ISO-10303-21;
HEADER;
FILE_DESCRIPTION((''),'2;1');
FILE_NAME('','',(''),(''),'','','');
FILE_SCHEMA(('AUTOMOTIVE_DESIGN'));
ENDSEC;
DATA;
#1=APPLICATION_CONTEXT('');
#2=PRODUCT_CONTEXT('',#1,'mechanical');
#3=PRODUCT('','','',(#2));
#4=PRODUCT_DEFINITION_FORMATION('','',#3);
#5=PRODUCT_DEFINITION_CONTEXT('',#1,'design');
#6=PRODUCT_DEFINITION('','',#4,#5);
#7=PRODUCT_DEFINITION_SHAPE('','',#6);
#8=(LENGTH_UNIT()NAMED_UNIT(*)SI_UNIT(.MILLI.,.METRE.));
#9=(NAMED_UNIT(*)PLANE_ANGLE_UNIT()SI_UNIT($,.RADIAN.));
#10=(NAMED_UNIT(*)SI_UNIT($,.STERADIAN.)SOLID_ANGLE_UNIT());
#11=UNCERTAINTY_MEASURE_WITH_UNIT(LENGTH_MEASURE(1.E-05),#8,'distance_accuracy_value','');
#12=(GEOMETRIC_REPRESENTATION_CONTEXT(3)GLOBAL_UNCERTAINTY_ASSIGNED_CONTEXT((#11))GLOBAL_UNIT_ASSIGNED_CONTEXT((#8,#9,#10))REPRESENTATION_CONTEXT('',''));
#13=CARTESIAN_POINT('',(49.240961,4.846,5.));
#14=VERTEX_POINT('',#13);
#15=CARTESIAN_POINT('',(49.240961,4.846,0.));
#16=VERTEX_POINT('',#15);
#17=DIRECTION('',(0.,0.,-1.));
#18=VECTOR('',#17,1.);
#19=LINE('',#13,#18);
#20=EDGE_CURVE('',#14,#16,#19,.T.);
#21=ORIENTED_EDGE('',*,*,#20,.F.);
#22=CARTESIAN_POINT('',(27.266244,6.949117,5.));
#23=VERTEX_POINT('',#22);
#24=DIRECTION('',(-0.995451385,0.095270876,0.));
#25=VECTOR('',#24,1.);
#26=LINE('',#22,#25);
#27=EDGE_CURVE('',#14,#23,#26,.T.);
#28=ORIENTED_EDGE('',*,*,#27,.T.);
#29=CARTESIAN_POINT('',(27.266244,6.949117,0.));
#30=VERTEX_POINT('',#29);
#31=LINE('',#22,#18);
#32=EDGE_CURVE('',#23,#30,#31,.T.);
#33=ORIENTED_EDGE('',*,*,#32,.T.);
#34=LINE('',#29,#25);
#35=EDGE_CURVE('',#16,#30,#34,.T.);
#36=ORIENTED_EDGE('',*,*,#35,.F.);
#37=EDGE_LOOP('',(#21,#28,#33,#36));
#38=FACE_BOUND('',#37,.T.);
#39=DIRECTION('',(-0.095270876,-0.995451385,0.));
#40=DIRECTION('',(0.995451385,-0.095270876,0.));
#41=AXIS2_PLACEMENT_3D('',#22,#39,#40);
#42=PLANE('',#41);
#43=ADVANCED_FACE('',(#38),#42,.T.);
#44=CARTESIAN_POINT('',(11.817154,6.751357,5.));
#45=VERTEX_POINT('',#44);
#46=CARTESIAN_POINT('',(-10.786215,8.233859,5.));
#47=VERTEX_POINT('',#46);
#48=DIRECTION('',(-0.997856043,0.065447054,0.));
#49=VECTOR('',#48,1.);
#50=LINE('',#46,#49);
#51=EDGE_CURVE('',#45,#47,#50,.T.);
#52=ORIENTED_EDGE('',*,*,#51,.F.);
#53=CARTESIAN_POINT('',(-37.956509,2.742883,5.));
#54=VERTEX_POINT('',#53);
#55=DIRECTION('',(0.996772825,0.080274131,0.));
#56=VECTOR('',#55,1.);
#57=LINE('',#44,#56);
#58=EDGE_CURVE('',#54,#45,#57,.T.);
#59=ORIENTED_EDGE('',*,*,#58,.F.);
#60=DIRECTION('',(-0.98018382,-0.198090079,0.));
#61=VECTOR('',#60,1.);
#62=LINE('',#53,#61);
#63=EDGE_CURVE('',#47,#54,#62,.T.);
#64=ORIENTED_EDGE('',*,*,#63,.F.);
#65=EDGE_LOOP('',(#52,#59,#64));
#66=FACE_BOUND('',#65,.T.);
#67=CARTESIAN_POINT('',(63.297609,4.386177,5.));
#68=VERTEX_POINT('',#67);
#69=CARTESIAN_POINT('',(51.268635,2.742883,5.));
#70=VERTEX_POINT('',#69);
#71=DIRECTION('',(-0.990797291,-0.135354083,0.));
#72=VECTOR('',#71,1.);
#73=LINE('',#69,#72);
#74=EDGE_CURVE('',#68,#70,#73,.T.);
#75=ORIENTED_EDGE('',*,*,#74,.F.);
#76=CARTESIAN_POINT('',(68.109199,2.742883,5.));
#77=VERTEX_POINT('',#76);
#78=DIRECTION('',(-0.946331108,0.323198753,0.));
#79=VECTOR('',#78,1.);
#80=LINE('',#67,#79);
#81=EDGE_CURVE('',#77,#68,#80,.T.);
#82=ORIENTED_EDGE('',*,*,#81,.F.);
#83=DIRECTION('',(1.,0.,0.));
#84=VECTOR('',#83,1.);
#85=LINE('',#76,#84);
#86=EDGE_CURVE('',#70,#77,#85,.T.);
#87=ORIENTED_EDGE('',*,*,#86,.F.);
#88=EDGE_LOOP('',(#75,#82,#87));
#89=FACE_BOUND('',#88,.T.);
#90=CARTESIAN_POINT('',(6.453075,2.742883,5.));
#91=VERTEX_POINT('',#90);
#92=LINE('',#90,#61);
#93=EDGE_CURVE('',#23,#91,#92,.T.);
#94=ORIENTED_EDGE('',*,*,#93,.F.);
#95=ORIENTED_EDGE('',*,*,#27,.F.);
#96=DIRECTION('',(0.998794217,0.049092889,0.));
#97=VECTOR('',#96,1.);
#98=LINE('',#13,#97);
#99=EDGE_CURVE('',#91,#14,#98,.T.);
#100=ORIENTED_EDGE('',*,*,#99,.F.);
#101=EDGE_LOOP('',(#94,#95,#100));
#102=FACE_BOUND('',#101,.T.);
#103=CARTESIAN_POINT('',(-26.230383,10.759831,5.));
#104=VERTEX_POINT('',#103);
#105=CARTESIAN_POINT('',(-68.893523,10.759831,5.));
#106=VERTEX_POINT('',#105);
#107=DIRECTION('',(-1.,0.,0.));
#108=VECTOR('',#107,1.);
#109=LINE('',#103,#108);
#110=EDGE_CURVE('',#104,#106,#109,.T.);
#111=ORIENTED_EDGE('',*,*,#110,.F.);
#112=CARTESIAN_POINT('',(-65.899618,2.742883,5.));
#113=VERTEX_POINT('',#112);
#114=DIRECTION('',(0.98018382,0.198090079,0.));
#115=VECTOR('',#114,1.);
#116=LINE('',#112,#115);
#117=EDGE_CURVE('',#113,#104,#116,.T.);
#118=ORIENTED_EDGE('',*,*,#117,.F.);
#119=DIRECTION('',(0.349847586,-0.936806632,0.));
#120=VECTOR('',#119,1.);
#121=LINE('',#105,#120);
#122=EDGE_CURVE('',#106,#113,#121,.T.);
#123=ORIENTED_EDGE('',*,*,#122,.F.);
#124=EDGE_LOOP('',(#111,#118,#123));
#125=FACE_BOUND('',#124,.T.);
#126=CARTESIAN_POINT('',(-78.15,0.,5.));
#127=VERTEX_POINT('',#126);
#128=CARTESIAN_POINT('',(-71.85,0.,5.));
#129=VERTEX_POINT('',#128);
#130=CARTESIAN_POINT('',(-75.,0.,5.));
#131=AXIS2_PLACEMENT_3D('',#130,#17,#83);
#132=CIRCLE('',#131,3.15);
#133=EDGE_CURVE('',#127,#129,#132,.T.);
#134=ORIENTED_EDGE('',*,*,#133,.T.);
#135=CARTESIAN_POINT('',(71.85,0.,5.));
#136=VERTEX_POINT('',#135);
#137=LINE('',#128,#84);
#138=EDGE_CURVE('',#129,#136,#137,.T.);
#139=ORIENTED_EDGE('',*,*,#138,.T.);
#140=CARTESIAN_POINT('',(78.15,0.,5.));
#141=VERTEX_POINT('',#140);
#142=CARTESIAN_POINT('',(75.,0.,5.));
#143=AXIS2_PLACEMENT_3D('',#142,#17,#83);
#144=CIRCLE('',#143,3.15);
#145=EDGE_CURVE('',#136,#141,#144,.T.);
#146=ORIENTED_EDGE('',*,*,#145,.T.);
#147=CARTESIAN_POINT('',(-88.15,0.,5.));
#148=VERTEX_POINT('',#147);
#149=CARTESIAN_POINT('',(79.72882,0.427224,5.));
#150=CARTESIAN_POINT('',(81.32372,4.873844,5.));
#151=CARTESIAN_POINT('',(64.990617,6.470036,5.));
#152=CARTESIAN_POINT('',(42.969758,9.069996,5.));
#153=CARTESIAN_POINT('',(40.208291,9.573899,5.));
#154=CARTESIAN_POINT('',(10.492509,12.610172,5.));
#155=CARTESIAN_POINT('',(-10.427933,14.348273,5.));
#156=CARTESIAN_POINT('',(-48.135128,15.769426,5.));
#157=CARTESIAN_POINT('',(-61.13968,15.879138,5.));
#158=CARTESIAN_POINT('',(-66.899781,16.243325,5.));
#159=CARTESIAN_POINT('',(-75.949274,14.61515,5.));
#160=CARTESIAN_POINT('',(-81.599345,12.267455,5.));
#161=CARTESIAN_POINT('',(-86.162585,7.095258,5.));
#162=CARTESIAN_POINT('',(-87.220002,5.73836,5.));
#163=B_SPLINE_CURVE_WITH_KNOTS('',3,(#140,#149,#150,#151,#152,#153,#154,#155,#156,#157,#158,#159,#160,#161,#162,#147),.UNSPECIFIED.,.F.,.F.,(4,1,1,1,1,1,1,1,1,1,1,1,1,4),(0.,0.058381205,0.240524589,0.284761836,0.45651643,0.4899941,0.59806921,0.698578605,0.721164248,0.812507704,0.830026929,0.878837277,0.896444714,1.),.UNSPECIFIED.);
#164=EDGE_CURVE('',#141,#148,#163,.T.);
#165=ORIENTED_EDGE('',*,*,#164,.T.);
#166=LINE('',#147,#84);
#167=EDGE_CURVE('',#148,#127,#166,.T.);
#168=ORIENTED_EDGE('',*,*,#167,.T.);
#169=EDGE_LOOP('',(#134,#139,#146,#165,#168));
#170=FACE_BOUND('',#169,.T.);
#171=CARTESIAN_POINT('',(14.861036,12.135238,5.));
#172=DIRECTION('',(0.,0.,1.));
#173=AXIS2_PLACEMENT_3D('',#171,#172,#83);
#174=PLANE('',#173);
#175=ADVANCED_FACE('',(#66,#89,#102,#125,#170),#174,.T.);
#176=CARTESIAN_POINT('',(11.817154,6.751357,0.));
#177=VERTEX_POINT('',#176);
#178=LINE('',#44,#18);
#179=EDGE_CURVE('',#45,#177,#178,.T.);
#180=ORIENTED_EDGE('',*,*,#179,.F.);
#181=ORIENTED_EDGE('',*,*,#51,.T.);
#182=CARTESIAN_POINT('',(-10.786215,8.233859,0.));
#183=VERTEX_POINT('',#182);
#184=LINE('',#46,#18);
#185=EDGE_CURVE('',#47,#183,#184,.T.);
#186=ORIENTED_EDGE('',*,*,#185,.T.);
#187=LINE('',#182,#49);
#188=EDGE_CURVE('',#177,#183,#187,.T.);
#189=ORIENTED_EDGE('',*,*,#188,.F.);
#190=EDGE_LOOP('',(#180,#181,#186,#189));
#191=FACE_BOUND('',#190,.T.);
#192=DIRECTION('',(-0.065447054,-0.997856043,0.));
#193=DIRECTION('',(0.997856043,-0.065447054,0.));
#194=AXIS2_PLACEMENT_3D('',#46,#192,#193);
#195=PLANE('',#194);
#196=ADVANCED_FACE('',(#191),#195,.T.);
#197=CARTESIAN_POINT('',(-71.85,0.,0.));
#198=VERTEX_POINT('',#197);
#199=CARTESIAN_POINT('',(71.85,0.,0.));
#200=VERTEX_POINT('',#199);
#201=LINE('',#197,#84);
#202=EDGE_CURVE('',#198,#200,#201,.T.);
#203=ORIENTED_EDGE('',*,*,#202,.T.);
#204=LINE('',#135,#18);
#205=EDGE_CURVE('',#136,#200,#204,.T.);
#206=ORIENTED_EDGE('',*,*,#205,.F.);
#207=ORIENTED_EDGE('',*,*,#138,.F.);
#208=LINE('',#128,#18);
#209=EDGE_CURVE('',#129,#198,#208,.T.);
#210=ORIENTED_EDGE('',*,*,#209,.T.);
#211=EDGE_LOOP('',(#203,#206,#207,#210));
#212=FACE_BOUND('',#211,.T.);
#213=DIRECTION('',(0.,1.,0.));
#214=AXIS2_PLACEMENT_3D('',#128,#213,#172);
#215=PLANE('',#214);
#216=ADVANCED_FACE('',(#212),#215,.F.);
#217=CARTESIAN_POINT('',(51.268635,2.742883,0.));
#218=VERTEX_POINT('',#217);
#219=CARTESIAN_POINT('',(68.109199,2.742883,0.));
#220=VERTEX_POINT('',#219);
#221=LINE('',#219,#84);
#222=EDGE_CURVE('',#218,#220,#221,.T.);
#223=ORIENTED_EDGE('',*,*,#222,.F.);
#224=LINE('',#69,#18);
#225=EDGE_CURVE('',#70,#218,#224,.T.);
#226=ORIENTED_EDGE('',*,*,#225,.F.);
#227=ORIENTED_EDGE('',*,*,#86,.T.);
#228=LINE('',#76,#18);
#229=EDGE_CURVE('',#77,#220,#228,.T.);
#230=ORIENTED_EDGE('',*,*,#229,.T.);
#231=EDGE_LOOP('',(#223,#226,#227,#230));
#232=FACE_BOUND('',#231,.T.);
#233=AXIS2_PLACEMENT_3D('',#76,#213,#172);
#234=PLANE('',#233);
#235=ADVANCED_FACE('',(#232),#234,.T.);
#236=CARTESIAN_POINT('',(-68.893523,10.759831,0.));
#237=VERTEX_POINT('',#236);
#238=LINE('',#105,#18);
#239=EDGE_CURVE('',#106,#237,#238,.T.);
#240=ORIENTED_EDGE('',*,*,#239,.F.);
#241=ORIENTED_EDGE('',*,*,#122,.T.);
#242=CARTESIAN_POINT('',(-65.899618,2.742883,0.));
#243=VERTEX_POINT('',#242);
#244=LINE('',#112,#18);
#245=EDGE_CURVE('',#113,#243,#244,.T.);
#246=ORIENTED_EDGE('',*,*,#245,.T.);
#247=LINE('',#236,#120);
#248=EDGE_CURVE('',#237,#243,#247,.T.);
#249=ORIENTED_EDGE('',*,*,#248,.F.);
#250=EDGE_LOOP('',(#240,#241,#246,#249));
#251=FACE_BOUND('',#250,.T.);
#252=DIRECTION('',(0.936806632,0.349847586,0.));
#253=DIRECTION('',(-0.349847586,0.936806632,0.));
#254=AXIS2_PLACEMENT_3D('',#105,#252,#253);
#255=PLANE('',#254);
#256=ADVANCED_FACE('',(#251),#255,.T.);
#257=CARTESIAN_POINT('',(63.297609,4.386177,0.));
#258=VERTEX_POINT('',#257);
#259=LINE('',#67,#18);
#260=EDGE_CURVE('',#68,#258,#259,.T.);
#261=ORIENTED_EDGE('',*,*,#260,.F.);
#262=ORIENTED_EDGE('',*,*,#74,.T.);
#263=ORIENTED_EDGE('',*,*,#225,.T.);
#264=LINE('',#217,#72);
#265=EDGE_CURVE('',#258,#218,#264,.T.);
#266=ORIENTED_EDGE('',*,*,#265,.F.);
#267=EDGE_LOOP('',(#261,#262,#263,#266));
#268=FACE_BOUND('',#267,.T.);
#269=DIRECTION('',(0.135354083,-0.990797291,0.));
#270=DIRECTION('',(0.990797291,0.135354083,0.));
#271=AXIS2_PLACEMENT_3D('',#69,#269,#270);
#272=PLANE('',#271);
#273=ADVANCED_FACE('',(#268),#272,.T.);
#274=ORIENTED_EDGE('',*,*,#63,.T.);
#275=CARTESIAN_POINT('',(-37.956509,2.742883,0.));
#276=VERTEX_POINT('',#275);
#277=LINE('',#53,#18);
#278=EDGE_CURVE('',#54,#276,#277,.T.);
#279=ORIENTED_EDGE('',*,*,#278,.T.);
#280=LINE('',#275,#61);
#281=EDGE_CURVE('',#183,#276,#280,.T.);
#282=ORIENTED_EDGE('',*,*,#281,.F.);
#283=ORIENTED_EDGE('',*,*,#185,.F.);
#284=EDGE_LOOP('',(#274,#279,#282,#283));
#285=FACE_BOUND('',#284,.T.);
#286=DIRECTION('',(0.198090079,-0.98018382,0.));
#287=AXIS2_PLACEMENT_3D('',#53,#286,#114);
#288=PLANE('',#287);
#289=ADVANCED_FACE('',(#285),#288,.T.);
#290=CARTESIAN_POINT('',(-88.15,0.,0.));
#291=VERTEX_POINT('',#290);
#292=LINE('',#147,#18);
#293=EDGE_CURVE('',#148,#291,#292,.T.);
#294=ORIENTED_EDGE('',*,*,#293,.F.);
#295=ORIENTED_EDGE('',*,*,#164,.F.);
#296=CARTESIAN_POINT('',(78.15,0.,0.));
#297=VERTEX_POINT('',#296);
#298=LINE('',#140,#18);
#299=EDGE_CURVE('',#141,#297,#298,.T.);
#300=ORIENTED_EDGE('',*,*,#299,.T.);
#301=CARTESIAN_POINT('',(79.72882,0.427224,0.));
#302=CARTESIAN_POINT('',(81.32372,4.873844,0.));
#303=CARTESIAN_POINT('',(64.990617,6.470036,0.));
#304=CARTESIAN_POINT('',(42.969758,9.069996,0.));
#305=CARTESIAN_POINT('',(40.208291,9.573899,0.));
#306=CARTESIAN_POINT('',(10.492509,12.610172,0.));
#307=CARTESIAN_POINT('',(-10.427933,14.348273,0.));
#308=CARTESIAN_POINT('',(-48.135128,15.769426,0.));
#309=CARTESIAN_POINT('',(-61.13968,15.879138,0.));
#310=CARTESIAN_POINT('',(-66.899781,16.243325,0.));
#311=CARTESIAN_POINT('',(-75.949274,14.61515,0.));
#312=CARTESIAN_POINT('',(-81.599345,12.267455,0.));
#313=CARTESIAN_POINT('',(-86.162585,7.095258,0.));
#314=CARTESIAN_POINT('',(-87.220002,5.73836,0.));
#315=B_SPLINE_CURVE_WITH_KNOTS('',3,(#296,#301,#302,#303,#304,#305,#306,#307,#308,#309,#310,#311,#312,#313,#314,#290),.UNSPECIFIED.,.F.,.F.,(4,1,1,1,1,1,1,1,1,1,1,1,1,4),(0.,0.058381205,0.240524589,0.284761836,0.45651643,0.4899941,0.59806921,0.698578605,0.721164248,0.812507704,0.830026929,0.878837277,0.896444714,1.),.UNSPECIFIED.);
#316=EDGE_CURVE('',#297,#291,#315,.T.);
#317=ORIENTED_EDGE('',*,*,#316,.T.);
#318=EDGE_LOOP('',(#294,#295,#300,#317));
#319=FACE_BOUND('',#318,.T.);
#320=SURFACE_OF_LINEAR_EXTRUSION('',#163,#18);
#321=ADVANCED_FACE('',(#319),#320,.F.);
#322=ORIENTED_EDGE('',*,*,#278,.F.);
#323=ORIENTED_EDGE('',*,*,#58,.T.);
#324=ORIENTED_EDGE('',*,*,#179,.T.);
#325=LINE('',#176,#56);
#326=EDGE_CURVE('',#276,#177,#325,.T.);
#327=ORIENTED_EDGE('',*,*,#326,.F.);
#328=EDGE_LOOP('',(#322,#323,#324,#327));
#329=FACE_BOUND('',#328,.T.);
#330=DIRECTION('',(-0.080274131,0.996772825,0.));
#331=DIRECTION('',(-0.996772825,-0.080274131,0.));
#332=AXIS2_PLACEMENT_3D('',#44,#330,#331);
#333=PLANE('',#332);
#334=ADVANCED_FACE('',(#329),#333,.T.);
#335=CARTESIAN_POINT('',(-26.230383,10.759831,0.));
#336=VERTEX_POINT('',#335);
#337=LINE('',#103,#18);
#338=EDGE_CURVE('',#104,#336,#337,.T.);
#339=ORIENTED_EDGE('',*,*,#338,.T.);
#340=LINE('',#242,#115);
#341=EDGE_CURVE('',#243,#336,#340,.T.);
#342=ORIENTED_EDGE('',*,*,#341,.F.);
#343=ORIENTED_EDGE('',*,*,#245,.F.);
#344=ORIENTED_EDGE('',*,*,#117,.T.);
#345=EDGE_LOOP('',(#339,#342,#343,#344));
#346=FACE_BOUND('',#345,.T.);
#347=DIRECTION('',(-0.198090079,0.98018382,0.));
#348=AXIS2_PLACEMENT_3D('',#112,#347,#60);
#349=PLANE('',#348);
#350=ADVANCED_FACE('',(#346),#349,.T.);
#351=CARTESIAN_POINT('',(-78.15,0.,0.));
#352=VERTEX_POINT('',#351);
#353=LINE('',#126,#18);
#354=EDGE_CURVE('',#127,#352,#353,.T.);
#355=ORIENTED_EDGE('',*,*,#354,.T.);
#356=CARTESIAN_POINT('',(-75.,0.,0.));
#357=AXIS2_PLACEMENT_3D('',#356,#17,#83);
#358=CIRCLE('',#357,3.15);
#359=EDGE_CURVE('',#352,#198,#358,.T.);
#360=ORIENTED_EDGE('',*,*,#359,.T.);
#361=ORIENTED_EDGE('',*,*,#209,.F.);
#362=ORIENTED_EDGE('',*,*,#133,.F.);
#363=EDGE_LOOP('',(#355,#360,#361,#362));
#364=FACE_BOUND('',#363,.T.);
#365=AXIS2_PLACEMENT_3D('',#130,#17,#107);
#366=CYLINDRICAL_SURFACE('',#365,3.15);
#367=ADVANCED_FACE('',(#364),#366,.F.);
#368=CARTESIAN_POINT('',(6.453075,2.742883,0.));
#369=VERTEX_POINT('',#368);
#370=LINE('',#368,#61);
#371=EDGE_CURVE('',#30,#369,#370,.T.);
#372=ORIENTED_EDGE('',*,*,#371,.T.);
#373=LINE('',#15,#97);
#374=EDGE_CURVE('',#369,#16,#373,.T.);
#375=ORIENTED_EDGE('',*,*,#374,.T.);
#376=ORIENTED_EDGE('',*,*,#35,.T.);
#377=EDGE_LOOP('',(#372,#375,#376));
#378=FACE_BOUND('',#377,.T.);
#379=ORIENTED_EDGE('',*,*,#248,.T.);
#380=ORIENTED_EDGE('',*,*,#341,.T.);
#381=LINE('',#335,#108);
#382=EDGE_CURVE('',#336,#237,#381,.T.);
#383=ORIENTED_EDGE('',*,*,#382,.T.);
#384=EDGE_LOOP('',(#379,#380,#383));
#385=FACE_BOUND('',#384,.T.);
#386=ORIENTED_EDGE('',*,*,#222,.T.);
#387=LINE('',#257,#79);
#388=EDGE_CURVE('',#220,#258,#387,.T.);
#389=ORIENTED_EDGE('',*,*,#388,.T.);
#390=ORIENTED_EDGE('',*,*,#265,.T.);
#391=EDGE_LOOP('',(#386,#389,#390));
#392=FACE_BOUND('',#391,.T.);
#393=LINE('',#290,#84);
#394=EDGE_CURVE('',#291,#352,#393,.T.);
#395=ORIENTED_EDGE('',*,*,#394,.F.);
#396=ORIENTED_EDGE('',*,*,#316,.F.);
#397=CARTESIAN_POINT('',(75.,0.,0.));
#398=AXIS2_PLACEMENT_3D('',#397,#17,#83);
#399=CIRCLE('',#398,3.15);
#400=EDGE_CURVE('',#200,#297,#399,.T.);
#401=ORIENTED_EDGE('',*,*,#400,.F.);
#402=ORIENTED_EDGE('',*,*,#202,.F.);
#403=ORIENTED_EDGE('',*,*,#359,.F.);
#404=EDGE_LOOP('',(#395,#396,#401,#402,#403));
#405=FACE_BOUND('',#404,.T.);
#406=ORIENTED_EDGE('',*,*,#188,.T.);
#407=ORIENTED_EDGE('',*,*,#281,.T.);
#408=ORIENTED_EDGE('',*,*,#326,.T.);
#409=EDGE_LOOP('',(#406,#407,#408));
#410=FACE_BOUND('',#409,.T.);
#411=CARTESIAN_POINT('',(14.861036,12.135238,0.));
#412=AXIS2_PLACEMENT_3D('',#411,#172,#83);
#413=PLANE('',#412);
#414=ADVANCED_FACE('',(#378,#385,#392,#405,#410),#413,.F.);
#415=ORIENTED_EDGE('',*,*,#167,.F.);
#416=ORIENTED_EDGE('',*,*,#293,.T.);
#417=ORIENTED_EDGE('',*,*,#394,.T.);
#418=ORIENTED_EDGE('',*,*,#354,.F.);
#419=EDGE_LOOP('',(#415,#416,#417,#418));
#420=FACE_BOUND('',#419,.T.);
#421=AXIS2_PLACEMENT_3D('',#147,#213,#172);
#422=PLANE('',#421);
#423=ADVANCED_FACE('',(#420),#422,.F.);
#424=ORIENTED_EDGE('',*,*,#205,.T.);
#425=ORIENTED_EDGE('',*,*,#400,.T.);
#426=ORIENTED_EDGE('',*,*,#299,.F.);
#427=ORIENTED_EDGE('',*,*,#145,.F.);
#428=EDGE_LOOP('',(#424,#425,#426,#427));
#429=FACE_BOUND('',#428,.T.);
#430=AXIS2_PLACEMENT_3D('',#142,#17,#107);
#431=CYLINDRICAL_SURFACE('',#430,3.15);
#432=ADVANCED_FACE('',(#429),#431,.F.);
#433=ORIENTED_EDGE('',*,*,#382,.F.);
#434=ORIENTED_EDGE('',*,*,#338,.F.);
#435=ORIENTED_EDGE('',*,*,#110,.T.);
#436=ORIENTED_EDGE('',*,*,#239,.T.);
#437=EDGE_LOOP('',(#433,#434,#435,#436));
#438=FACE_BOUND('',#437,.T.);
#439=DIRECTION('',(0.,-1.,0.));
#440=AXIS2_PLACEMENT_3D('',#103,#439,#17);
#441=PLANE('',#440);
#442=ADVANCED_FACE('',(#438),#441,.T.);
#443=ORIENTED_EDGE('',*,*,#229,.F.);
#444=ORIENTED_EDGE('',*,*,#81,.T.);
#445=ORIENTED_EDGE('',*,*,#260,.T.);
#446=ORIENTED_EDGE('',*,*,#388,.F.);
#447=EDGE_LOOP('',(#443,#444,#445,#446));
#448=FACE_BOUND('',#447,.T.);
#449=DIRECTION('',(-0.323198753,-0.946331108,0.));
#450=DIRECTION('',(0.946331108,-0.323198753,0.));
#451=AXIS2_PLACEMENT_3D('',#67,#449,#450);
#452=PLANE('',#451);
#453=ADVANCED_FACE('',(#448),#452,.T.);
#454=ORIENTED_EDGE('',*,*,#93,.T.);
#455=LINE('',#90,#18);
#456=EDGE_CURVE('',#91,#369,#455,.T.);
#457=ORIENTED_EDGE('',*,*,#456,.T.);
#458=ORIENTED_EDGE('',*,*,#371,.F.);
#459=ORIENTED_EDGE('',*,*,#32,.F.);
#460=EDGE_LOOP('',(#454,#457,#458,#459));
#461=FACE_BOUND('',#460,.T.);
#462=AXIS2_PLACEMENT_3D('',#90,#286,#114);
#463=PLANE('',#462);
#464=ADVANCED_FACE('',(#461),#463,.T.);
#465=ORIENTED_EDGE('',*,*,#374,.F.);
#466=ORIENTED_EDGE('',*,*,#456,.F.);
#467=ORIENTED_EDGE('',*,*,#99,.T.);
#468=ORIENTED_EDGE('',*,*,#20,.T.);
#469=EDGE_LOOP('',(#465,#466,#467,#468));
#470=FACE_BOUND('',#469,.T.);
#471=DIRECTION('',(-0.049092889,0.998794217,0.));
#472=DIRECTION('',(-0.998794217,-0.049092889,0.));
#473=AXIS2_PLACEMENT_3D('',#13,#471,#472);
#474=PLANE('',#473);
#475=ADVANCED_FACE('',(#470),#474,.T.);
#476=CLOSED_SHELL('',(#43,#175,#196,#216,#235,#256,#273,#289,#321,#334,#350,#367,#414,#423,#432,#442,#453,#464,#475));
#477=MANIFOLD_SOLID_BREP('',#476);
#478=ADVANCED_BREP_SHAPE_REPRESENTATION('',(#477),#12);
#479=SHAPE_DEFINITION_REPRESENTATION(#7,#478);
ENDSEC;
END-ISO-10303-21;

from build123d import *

# Parameters (mm, degrees)
EXTRUDE_1_DEPTH = 5


with BuildPart() as part:
    # 草圖1 → 填料-伸長1 (new body)
    with BuildSketch(Plane.XY):
        with BuildLine():
            Line((-88.15, 0), (-78.15, 0))
            ThreePointArc((-78.15, 0), (-75, 3.15), (-71.85, 0))
            Line((-71.85, 0), (71.85, 0))
            ThreePointArc((71.85, 0), (75, 3.15), (78.15, 0))
            add(Edge.make_bspline(
                [(-88.15, 0), (-87.220002266, 5.738359665), (-86.162585035, 7.095257959), (-81.599345249, 12.267454727), (-75.949273601, 14.615150152), (-66.899781039, 16.243325152), (-61.139680353, 15.879138132), (-48.135127968, 15.769425726), (-10.427933288, 14.348272569), (10.492508658, 12.610172136), (40.20829084, 9.573899213), (42.969757718, 9.069995754), (64.990617126, 6.470036457), (81.323719988, 4.873843593), (79.728820358, 0.427224178), (78.15, 0)],
                knots=[0, 0, 0, 0, 0.103555286, 0.121162723, 0.169973071, 0.187492296, 0.278835752, 0.301421395, 0.40193079, 0.5100059, 0.54348357, 0.715238164, 0.759475411, 0.941618795, 1, 1, 1, 1], degree=3))
        make_face()
        Polygon((-68.893522957, 10.759830703), (-65.899618401, 2.742883445), (-26.230383037, 10.759830703), align=None, mode=Mode.SUBTRACT)
        Polygon((-37.956509213, 2.742883445), (-10.786214777, 8.233859399), (11.817154027, 6.751357074), align=None, mode=Mode.SUBTRACT)
        Polygon((6.453075031, 2.742883445), (27.266243577, 6.949117142), (49.240960974, 4.846000293), align=None, mode=Mode.SUBTRACT)
        Polygon((51.268635043, 2.742883445), (63.297609004, 4.38617694), (68.109198588, 2.742883445), align=None, mode=Mode.SUBTRACT)
    extrude(amount=EXTRUDE_1_DEPTH)


solid = part.part
